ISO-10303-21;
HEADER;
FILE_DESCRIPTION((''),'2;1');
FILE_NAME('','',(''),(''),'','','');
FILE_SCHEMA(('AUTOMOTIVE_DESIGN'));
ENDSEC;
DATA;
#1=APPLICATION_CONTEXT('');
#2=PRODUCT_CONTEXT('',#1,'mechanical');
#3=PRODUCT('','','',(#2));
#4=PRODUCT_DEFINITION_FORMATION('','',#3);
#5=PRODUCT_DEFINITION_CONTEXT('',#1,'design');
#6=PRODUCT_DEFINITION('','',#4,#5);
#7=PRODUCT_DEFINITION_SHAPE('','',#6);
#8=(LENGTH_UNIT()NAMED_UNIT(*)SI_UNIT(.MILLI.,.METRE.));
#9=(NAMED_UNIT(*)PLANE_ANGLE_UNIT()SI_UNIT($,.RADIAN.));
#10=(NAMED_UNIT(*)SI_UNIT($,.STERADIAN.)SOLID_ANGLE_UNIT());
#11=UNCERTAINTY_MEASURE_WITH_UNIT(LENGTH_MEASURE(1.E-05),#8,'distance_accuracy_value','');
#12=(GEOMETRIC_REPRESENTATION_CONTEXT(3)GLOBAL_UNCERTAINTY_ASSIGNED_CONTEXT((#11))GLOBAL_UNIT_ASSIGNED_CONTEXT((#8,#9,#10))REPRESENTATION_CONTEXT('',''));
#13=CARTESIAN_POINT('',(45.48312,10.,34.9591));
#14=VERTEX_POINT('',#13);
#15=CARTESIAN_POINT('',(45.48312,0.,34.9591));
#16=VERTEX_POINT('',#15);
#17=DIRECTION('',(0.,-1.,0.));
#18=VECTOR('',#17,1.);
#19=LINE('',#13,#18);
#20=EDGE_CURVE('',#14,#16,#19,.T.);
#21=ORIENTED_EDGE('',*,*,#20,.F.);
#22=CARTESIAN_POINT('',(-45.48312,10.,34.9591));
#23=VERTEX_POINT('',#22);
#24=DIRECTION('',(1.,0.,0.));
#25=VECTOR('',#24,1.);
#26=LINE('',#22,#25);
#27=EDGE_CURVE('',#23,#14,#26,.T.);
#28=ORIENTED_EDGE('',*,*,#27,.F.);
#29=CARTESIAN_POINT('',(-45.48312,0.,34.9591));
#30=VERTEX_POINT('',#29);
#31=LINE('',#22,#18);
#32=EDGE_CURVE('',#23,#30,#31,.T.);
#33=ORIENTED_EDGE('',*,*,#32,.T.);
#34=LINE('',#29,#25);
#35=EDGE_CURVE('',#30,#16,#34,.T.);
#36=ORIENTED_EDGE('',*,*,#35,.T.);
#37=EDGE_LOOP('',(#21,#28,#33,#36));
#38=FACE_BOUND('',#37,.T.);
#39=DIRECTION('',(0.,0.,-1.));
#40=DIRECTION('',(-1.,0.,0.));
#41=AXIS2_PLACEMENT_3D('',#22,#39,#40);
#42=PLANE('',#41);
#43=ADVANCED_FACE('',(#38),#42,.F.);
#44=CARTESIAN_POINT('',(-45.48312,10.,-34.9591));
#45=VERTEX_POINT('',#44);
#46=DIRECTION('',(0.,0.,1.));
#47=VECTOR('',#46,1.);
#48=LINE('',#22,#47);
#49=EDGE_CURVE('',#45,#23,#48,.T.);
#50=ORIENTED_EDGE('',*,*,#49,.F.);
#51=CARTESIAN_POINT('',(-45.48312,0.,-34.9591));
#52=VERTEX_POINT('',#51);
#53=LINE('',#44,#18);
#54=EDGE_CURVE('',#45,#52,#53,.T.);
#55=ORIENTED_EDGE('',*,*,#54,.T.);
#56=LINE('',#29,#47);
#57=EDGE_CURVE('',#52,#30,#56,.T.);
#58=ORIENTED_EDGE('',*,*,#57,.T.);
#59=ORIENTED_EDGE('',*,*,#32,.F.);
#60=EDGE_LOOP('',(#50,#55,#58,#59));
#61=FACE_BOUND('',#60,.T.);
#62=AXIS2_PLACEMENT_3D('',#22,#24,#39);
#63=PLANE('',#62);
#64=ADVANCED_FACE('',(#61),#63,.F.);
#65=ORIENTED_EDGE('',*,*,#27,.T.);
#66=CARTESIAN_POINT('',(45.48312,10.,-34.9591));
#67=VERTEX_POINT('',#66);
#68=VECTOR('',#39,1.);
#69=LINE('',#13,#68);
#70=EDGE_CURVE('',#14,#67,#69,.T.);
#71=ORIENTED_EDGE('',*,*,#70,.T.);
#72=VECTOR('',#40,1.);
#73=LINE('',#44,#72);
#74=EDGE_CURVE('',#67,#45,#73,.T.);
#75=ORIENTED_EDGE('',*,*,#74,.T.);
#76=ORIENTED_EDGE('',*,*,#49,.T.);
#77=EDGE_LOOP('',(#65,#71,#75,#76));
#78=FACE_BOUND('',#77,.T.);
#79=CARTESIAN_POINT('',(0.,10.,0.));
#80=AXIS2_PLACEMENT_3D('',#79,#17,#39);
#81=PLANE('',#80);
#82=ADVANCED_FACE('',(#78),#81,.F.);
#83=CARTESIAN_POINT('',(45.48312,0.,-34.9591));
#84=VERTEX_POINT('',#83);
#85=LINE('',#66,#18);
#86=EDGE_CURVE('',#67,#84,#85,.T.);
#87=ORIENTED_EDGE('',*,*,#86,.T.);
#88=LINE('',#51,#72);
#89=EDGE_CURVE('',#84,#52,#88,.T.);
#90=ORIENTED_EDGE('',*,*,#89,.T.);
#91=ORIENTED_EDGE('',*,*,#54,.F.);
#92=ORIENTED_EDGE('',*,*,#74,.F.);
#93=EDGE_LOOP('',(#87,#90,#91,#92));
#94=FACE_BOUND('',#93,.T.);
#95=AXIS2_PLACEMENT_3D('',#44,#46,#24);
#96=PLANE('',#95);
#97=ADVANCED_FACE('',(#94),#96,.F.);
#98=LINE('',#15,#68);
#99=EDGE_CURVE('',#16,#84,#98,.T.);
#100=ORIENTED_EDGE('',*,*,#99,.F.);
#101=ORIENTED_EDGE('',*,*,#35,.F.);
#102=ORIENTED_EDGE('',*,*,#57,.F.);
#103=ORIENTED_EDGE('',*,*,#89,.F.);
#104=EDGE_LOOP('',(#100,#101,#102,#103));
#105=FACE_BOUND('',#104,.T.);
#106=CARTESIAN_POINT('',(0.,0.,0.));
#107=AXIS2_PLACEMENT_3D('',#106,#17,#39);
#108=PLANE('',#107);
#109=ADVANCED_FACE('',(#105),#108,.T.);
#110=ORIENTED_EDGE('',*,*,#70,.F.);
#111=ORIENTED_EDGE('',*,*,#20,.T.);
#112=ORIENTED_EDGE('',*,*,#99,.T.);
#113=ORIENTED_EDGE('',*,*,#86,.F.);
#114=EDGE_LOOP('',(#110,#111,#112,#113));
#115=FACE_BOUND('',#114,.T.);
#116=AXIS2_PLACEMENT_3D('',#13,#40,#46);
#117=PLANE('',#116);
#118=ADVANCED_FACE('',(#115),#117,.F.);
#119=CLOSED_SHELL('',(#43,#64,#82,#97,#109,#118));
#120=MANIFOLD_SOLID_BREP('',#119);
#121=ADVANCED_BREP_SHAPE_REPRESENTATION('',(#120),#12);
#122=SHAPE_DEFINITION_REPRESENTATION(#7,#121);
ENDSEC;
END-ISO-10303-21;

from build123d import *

# Parameters (mm, degrees)
SKETCH_1_W      = 90.966240054
SKETCH_1_H      = 69.918200466
EXTRUDE_1_DEPTH = 10


with BuildPart() as part:
    # 草图1 → 凸台-拉伸1 (new body)
    with BuildSketch(Plane(origin=(0, 0, 0), x_dir=(1, 0, 0), z_dir=(0, 1, 0))):
        Rectangle(SKETCH_1_W, SKETCH_1_H)
    extrude(amount=EXTRUDE_1_DEPTH)


solid = part.part
